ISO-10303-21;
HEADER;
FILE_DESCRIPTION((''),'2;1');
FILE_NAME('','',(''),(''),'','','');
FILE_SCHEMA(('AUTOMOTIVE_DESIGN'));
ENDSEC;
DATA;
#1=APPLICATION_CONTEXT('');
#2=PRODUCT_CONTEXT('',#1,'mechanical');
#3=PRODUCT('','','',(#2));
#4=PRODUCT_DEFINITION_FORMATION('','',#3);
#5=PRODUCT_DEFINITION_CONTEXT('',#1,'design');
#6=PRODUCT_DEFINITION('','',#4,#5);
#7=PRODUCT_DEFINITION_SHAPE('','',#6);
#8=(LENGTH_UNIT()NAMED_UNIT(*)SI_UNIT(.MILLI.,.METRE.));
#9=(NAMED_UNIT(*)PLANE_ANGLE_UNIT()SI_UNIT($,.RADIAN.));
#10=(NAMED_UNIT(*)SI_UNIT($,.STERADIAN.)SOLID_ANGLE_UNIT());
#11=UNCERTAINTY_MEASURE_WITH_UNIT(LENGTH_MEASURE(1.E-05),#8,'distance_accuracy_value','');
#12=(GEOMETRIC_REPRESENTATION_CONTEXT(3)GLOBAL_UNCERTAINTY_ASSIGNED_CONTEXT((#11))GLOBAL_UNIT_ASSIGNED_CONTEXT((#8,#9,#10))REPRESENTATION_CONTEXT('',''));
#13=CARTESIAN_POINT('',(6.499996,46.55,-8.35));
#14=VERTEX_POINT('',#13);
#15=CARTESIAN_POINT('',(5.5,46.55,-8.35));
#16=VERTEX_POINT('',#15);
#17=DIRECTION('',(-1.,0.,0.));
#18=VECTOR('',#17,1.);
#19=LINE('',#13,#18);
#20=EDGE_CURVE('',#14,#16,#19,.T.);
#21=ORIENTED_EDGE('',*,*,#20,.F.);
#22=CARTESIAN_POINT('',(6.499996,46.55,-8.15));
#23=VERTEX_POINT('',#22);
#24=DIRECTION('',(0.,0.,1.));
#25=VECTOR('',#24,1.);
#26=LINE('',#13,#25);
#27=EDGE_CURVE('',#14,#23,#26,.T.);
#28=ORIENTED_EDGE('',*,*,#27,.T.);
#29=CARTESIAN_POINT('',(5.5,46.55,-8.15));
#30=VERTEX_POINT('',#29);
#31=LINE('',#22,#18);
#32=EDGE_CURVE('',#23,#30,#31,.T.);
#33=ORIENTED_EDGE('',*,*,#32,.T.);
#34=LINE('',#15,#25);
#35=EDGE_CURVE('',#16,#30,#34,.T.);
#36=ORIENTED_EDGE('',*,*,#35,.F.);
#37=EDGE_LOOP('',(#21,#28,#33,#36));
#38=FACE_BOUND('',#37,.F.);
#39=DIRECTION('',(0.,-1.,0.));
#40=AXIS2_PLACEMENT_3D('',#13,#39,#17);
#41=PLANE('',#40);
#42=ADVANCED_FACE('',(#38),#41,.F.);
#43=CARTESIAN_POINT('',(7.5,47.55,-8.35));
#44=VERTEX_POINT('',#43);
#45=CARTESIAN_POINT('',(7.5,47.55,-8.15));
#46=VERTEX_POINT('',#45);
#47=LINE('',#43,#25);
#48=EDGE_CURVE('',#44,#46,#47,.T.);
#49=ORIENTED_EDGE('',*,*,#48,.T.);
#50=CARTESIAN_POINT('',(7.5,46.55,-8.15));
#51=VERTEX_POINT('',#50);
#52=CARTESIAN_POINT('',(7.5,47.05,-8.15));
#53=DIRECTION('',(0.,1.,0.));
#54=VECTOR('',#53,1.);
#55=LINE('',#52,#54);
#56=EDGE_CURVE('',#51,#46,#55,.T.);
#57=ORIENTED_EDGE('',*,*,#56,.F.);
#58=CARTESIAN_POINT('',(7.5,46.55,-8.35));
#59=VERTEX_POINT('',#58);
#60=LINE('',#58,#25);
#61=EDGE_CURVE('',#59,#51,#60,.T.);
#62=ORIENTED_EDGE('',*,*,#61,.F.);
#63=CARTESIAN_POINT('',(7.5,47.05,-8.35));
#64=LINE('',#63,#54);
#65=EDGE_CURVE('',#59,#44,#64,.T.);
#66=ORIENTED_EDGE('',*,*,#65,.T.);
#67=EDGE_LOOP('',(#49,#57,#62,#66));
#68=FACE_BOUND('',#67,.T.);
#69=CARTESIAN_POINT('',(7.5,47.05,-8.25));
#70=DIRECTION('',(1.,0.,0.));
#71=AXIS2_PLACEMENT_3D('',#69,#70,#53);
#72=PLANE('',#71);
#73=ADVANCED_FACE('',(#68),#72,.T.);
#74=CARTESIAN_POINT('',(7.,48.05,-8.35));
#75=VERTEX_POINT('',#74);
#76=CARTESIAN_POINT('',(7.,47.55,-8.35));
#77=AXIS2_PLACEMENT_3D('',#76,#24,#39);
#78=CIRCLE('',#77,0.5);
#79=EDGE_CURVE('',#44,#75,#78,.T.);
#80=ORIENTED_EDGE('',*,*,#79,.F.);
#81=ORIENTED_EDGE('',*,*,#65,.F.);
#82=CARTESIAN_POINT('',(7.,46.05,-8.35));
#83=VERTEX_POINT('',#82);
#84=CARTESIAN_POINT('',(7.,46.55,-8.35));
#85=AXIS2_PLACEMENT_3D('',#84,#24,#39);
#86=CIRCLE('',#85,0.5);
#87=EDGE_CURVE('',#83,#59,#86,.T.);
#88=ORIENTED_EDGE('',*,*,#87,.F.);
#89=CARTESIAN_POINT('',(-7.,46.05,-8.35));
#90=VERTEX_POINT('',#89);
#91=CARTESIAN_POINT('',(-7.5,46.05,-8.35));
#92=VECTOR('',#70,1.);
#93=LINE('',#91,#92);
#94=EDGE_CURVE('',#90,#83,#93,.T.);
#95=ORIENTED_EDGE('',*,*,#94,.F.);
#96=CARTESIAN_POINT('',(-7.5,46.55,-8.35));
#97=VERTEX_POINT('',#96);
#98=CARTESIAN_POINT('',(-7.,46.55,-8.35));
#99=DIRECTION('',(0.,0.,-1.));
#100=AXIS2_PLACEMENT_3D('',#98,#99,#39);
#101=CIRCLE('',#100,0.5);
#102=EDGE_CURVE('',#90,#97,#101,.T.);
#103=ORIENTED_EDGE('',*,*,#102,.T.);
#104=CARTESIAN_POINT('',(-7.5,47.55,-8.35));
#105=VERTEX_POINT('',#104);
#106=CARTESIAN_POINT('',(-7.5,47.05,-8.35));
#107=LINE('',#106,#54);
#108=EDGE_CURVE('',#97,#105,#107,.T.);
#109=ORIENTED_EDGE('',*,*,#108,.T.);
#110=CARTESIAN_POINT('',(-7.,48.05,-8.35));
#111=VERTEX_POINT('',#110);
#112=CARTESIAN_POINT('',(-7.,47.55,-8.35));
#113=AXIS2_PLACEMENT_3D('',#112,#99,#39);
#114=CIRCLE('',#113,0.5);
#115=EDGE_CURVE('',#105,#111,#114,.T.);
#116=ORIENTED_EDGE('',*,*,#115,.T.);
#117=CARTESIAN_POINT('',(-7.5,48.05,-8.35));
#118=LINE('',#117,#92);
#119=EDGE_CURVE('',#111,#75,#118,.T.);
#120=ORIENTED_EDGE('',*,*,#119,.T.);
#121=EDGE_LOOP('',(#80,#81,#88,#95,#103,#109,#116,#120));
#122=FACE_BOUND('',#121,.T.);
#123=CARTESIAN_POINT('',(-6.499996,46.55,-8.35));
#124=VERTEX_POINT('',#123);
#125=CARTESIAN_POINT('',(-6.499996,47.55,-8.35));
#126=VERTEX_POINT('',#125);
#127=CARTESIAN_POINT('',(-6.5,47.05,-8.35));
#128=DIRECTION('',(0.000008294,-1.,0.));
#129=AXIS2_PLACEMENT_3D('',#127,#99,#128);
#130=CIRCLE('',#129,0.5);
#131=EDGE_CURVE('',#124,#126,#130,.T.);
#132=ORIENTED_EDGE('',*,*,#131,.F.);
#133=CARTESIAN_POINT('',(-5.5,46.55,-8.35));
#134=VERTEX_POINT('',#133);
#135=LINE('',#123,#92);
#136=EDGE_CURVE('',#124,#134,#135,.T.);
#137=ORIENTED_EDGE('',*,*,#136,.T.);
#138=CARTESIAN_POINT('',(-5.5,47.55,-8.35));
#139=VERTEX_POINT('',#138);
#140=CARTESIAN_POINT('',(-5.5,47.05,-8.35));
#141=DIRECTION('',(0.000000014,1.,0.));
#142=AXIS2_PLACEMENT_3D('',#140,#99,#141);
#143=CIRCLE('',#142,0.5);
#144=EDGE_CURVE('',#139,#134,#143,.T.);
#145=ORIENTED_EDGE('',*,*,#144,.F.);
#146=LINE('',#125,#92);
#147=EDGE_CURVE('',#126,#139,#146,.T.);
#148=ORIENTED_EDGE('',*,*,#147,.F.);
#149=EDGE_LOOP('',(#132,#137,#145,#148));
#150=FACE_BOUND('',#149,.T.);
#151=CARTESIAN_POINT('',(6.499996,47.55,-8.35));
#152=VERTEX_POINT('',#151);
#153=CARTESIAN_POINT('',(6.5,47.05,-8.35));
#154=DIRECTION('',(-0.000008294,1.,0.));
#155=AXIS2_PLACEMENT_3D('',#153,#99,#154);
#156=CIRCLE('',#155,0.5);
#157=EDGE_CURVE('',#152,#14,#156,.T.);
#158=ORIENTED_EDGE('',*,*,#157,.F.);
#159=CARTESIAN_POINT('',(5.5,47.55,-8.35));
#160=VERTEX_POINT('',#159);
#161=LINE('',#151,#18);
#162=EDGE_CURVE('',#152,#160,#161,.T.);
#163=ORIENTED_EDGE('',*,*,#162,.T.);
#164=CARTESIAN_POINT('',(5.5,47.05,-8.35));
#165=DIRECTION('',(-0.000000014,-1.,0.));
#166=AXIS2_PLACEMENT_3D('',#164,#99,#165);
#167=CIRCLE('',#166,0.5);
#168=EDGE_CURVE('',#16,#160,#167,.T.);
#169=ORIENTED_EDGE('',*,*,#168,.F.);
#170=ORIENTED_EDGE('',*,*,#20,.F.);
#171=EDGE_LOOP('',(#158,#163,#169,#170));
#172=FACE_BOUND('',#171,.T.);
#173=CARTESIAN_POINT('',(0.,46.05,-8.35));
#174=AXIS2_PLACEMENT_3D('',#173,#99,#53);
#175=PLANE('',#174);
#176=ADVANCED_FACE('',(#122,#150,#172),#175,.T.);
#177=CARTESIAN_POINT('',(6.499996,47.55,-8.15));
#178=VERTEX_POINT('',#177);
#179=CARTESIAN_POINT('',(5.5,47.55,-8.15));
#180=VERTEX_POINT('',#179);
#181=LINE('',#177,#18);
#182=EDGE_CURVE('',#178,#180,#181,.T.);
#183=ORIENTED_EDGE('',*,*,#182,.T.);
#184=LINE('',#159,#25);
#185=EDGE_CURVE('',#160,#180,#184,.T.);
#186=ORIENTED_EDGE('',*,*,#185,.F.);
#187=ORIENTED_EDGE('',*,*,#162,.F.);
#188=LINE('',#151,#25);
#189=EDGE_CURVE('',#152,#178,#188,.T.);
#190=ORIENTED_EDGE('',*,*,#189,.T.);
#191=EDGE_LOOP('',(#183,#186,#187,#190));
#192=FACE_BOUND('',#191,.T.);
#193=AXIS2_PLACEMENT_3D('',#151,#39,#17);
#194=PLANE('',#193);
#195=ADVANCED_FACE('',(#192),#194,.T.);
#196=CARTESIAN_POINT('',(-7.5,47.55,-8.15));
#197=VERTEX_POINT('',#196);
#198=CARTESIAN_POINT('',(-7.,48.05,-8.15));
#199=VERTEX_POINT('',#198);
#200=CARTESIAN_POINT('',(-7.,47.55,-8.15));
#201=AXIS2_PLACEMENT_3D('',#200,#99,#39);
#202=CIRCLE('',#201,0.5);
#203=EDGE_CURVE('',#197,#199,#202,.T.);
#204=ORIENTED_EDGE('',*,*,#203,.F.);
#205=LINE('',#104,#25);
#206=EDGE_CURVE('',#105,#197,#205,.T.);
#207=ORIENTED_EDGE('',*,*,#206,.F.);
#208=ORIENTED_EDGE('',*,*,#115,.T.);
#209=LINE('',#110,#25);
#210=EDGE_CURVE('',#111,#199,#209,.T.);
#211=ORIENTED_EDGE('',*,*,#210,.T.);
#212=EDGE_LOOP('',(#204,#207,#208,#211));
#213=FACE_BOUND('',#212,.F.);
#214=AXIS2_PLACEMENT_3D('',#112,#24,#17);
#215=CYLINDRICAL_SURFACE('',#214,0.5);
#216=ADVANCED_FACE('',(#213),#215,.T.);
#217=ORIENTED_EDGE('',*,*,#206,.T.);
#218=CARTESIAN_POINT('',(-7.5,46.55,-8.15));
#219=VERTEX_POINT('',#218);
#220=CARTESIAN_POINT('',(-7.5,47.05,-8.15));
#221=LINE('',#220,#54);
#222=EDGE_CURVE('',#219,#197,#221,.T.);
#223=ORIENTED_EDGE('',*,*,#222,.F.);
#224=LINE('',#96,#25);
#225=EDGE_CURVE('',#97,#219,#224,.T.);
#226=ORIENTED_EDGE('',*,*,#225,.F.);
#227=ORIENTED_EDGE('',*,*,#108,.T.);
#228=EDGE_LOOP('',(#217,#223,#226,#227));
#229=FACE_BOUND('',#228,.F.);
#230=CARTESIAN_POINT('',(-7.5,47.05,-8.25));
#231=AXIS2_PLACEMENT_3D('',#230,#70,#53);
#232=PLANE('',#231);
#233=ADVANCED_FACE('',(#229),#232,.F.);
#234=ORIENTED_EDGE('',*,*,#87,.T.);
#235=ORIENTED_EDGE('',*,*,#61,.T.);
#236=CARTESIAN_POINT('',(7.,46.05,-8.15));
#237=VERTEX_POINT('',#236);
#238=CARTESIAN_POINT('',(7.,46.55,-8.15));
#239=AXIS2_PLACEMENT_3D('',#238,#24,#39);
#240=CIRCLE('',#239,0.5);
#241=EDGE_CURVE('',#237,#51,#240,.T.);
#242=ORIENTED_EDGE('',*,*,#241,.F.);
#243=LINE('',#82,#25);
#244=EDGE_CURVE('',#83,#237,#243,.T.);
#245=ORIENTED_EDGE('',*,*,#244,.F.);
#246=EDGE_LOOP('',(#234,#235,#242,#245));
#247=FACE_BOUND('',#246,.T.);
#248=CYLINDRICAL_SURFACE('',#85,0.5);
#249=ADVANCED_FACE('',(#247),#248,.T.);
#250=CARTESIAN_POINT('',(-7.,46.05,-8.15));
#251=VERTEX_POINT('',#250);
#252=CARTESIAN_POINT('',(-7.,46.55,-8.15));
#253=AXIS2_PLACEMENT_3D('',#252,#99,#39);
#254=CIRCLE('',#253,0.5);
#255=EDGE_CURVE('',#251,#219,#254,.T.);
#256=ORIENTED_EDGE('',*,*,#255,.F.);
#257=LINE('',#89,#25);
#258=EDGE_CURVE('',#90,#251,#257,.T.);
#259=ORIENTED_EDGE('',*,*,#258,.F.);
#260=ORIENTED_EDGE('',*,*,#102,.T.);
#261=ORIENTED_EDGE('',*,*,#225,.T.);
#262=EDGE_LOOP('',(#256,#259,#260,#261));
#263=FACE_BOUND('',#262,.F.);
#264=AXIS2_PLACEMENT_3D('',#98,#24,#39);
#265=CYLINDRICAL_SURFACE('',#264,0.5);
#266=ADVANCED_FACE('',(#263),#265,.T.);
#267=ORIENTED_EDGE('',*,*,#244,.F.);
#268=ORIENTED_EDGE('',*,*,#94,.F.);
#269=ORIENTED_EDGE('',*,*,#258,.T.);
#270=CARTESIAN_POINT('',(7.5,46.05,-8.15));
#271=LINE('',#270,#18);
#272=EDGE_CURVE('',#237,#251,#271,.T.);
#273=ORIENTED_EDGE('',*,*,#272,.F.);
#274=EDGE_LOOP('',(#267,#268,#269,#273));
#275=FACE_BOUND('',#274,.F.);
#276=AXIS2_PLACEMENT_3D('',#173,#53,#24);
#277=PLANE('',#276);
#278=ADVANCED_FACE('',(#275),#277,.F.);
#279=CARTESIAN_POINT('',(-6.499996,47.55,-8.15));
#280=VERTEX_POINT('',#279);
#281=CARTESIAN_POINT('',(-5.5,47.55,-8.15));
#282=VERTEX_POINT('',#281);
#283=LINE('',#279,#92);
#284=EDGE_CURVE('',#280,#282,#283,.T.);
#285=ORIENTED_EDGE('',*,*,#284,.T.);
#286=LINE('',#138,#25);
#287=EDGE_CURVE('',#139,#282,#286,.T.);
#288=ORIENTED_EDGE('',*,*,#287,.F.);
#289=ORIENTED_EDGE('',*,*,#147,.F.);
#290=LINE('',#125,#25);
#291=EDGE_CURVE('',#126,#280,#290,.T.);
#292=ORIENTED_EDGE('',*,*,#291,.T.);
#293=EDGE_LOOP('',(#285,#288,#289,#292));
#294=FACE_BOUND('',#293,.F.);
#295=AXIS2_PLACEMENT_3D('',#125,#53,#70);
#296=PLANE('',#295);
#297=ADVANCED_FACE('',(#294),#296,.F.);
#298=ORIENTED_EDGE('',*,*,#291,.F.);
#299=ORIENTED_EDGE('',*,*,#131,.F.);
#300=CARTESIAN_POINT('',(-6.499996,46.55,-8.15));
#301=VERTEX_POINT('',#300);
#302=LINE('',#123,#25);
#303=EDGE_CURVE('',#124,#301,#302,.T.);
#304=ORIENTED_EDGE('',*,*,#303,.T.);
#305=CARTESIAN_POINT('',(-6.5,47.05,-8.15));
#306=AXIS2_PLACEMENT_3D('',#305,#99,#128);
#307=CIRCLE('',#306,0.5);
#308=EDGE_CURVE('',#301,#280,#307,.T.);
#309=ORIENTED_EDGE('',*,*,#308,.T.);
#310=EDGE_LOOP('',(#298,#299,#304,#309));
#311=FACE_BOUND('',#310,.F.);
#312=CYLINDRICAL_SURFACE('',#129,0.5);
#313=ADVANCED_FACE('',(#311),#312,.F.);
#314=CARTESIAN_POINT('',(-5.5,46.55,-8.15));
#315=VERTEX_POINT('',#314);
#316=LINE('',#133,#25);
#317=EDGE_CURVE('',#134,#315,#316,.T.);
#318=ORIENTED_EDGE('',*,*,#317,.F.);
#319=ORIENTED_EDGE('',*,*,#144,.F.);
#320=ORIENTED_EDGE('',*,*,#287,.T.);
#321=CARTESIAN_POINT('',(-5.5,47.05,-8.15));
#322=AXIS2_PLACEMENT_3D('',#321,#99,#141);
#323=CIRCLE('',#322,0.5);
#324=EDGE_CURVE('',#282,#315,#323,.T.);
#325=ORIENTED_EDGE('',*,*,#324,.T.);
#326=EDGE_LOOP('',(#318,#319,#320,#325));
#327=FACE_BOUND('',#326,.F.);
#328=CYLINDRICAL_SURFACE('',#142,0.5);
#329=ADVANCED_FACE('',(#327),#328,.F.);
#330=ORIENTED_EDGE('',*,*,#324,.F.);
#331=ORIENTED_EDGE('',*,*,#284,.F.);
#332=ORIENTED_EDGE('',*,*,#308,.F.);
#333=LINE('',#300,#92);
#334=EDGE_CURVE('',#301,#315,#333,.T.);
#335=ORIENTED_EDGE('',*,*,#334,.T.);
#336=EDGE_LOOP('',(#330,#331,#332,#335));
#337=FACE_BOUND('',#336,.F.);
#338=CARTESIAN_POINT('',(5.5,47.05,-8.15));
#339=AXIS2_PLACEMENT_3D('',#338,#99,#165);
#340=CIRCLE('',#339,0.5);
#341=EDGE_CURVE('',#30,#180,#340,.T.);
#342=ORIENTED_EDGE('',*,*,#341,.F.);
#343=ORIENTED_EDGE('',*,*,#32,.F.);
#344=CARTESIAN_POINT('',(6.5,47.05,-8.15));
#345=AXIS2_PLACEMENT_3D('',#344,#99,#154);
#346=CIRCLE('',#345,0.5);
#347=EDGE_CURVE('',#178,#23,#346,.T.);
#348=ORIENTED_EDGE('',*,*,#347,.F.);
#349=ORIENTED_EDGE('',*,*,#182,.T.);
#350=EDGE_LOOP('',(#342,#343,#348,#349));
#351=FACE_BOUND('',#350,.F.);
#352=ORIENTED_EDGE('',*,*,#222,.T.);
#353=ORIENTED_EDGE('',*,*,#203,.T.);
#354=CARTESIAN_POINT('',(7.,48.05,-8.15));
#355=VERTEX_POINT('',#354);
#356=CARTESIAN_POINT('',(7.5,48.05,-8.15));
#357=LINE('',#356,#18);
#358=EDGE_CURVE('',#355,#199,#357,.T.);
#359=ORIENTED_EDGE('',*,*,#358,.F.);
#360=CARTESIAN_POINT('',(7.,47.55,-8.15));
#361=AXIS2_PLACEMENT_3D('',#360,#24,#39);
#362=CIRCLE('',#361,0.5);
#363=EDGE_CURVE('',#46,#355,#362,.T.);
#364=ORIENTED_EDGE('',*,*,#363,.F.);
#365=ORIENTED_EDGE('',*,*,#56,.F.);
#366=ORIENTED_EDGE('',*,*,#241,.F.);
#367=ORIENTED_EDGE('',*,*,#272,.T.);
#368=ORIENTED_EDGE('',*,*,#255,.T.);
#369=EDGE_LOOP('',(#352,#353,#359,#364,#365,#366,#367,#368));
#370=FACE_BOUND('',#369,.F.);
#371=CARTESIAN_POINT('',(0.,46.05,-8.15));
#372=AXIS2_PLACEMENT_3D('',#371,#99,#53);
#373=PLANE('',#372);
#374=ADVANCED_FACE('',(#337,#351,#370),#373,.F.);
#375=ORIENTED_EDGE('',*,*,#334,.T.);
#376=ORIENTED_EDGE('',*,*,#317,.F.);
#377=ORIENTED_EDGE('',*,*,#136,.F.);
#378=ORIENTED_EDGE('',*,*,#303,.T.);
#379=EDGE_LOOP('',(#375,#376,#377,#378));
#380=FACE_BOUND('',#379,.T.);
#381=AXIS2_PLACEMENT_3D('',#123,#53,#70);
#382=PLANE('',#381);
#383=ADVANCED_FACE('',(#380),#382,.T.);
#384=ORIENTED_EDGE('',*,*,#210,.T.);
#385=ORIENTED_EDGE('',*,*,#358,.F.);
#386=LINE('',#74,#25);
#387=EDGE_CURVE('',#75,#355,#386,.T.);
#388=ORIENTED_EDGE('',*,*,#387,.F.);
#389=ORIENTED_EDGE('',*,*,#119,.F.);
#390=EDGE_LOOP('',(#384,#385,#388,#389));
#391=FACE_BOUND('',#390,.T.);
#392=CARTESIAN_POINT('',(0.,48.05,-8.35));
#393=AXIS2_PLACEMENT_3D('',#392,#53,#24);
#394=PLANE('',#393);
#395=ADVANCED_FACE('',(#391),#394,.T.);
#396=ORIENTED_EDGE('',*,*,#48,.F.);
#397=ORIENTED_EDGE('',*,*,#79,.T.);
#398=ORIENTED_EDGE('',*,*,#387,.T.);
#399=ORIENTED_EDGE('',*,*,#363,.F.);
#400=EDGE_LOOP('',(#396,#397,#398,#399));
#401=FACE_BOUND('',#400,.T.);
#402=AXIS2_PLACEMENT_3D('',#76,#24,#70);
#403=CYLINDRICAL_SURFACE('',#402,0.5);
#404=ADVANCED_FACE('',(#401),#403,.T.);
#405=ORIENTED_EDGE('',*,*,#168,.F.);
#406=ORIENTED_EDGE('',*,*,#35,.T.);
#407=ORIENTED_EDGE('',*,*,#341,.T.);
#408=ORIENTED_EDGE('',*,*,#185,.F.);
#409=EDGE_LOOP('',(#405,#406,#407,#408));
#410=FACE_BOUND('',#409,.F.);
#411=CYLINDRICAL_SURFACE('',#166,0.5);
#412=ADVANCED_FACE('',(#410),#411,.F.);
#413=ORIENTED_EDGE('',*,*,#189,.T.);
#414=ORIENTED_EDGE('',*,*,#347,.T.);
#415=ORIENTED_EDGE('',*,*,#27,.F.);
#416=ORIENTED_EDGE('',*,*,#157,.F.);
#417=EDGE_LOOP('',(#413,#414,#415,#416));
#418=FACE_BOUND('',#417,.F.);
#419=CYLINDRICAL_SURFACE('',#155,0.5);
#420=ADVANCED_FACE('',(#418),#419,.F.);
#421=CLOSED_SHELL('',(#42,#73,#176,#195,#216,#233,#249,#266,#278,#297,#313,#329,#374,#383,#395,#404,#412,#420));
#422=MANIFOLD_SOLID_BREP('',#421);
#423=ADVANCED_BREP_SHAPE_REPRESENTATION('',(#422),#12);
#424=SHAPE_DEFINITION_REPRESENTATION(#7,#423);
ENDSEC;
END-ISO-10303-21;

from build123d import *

# Parameters (mm, degrees)
SKETCH074_W     = 2
SKETCH074_H     = 0.2
PAD047_DEPTH    = 7.5
POCKET021_DEPTH = 0.2
FILLET019_R     = 0.5


with BuildPart() as part:
    # Sketch074 → Pad047 (new body, symmetric)
    with BuildSketch(Plane.YZ):
        with Locations((21.35, -8.25)):
            Rectangle(SKETCH074_W, SKETCH074_H)
    extrude(amount=PAD047_DEPTH, both=True)

    # Sketch075 (on Face3 of Pad047) → Pocket021 (cut)
    with BuildSketch(Plane.YX.offset(8.35)):
        with BuildLine():
            ThreePointArc((21.85, 6.4999958532), (21.35, 7), (20.85, 6.4999958531))
            Line((20.85, 6.4999958531), (20.85, 5.4999999932))
            ThreePointArc((20.85, 5.4999999932), (21.35, 5), (21.85, 5.4999999932))
            Line((21.85, 6.4999958532), (21.85, 5.4999999932))
        make_face()
        with BuildLine():
            ThreePointArc((20.85, -6.4999958531), (21.35, -7), (21.85, -6.4999958532))
            Line((21.85, -6.4999958532), (21.85, -5.4999999932))
            ThreePointArc((21.85, -5.4999999932), (21.35, -5), (20.85, -5.4999999932))
            Line((20.85, -6.4999958531), (20.85, -5.4999999932))
        make_face()
    extrude(amount=-POCKET021_DEPTH, mode=Mode.SUBTRACT)

    # Fillet019
    fillet019_edges = [part.edges().sort_by_distance(p)[0] for p in [
        (-7.5, 22.35, -8.25),
        (-7.5, 20.35, -8.25),
        (7.5, 20.35, -8.25),
        (7.5, 22.35, -8.25),
    ]]
    fillet(fillet019_edges, radius=FILLET019_R)


with BuildPart() as part_1:
    # Body026 placement: moved
    add(part.part.moved(Location((0, 25.7, 0))))


solid = part_1.part
